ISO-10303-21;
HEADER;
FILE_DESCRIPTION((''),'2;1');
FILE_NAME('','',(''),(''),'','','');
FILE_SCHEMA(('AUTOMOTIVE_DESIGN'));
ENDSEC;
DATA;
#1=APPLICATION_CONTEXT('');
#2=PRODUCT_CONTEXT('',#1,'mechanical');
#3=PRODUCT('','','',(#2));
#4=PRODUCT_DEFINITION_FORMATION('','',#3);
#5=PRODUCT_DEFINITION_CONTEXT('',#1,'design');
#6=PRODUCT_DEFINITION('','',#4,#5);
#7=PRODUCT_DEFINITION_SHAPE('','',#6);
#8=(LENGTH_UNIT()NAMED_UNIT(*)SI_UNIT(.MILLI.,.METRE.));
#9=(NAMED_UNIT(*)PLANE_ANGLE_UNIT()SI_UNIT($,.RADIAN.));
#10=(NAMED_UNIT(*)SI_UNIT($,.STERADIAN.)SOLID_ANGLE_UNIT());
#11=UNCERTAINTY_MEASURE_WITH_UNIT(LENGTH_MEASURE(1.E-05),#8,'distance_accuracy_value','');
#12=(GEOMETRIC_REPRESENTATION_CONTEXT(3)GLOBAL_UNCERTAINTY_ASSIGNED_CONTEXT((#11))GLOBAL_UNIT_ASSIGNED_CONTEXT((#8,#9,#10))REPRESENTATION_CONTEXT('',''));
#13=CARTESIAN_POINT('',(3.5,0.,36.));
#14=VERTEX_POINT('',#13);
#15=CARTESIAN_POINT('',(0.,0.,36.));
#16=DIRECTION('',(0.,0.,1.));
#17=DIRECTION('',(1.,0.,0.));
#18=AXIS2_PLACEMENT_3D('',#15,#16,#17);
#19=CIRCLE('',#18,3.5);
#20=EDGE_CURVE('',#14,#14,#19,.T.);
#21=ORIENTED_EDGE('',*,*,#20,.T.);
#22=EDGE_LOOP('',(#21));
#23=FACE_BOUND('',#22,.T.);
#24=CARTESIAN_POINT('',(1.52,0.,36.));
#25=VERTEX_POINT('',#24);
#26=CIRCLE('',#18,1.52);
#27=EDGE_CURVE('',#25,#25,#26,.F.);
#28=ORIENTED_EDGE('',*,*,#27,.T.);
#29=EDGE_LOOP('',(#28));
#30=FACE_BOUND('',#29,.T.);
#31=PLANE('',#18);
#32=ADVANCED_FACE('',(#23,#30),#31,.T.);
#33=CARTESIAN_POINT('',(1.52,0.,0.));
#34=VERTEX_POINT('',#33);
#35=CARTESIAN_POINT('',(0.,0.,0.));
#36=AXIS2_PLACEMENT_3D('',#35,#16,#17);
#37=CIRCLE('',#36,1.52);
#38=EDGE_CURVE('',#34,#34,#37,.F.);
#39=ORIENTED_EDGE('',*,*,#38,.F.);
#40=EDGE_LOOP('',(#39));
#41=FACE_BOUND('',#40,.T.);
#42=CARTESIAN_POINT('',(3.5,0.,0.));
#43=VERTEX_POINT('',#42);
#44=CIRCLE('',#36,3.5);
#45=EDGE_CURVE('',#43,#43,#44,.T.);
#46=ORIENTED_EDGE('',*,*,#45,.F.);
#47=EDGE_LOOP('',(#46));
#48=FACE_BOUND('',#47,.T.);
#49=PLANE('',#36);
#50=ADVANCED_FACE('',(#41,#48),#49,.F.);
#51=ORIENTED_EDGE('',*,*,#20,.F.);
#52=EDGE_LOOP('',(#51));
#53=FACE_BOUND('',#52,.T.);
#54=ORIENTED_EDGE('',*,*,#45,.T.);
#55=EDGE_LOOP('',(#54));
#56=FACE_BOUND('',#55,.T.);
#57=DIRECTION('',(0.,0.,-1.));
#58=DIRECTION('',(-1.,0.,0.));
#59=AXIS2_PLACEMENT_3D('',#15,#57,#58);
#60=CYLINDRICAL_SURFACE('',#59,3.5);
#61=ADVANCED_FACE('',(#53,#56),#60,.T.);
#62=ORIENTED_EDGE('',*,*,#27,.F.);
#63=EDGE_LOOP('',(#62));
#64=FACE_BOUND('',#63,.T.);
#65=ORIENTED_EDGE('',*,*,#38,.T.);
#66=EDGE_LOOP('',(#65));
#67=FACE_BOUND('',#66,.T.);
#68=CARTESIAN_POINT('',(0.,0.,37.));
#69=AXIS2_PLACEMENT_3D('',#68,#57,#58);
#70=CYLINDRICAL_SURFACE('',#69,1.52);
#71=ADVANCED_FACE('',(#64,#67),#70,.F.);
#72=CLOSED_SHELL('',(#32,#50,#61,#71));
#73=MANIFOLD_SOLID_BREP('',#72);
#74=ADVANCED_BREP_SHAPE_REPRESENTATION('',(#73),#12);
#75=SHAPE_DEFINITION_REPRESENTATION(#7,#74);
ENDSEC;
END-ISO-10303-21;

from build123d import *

# Parameters (mm, degrees)
SKETCH_36MM_POST_R                  = 3.5
F_36MM_POST_DEPTH                   = 36
M3_NOMINAL_THREAD_ENVELOPE_START    = -1
SKETCH_M3_NOMINAL_THREAD_ENVELOPE_R = 1.52
M3_NOMINAL_THREAD_ENVELOPE_DEPTH    = 38


with BuildPart() as part:
    # Sketch_36mm_post → 36mm_post (new body)
    with BuildSketch(Plane.XY):
        Circle(SKETCH_36MM_POST_R)
    extrude(amount=F_36MM_POST_DEPTH)

    # Sketch_M3_nominal_thread_envelope → M3_nominal_thread_envelope (cut)
    with BuildSketch(Plane.XY.offset(M3_NOMINAL_THREAD_ENVELOPE_START)):
        Circle(SKETCH_M3_NOMINAL_THREAD_ENVELOPE_R)
    extrude(amount=M3_NOMINAL_THREAD_ENVELOPE_DEPTH, mode=Mode.SUBTRACT)


solid = part.part
